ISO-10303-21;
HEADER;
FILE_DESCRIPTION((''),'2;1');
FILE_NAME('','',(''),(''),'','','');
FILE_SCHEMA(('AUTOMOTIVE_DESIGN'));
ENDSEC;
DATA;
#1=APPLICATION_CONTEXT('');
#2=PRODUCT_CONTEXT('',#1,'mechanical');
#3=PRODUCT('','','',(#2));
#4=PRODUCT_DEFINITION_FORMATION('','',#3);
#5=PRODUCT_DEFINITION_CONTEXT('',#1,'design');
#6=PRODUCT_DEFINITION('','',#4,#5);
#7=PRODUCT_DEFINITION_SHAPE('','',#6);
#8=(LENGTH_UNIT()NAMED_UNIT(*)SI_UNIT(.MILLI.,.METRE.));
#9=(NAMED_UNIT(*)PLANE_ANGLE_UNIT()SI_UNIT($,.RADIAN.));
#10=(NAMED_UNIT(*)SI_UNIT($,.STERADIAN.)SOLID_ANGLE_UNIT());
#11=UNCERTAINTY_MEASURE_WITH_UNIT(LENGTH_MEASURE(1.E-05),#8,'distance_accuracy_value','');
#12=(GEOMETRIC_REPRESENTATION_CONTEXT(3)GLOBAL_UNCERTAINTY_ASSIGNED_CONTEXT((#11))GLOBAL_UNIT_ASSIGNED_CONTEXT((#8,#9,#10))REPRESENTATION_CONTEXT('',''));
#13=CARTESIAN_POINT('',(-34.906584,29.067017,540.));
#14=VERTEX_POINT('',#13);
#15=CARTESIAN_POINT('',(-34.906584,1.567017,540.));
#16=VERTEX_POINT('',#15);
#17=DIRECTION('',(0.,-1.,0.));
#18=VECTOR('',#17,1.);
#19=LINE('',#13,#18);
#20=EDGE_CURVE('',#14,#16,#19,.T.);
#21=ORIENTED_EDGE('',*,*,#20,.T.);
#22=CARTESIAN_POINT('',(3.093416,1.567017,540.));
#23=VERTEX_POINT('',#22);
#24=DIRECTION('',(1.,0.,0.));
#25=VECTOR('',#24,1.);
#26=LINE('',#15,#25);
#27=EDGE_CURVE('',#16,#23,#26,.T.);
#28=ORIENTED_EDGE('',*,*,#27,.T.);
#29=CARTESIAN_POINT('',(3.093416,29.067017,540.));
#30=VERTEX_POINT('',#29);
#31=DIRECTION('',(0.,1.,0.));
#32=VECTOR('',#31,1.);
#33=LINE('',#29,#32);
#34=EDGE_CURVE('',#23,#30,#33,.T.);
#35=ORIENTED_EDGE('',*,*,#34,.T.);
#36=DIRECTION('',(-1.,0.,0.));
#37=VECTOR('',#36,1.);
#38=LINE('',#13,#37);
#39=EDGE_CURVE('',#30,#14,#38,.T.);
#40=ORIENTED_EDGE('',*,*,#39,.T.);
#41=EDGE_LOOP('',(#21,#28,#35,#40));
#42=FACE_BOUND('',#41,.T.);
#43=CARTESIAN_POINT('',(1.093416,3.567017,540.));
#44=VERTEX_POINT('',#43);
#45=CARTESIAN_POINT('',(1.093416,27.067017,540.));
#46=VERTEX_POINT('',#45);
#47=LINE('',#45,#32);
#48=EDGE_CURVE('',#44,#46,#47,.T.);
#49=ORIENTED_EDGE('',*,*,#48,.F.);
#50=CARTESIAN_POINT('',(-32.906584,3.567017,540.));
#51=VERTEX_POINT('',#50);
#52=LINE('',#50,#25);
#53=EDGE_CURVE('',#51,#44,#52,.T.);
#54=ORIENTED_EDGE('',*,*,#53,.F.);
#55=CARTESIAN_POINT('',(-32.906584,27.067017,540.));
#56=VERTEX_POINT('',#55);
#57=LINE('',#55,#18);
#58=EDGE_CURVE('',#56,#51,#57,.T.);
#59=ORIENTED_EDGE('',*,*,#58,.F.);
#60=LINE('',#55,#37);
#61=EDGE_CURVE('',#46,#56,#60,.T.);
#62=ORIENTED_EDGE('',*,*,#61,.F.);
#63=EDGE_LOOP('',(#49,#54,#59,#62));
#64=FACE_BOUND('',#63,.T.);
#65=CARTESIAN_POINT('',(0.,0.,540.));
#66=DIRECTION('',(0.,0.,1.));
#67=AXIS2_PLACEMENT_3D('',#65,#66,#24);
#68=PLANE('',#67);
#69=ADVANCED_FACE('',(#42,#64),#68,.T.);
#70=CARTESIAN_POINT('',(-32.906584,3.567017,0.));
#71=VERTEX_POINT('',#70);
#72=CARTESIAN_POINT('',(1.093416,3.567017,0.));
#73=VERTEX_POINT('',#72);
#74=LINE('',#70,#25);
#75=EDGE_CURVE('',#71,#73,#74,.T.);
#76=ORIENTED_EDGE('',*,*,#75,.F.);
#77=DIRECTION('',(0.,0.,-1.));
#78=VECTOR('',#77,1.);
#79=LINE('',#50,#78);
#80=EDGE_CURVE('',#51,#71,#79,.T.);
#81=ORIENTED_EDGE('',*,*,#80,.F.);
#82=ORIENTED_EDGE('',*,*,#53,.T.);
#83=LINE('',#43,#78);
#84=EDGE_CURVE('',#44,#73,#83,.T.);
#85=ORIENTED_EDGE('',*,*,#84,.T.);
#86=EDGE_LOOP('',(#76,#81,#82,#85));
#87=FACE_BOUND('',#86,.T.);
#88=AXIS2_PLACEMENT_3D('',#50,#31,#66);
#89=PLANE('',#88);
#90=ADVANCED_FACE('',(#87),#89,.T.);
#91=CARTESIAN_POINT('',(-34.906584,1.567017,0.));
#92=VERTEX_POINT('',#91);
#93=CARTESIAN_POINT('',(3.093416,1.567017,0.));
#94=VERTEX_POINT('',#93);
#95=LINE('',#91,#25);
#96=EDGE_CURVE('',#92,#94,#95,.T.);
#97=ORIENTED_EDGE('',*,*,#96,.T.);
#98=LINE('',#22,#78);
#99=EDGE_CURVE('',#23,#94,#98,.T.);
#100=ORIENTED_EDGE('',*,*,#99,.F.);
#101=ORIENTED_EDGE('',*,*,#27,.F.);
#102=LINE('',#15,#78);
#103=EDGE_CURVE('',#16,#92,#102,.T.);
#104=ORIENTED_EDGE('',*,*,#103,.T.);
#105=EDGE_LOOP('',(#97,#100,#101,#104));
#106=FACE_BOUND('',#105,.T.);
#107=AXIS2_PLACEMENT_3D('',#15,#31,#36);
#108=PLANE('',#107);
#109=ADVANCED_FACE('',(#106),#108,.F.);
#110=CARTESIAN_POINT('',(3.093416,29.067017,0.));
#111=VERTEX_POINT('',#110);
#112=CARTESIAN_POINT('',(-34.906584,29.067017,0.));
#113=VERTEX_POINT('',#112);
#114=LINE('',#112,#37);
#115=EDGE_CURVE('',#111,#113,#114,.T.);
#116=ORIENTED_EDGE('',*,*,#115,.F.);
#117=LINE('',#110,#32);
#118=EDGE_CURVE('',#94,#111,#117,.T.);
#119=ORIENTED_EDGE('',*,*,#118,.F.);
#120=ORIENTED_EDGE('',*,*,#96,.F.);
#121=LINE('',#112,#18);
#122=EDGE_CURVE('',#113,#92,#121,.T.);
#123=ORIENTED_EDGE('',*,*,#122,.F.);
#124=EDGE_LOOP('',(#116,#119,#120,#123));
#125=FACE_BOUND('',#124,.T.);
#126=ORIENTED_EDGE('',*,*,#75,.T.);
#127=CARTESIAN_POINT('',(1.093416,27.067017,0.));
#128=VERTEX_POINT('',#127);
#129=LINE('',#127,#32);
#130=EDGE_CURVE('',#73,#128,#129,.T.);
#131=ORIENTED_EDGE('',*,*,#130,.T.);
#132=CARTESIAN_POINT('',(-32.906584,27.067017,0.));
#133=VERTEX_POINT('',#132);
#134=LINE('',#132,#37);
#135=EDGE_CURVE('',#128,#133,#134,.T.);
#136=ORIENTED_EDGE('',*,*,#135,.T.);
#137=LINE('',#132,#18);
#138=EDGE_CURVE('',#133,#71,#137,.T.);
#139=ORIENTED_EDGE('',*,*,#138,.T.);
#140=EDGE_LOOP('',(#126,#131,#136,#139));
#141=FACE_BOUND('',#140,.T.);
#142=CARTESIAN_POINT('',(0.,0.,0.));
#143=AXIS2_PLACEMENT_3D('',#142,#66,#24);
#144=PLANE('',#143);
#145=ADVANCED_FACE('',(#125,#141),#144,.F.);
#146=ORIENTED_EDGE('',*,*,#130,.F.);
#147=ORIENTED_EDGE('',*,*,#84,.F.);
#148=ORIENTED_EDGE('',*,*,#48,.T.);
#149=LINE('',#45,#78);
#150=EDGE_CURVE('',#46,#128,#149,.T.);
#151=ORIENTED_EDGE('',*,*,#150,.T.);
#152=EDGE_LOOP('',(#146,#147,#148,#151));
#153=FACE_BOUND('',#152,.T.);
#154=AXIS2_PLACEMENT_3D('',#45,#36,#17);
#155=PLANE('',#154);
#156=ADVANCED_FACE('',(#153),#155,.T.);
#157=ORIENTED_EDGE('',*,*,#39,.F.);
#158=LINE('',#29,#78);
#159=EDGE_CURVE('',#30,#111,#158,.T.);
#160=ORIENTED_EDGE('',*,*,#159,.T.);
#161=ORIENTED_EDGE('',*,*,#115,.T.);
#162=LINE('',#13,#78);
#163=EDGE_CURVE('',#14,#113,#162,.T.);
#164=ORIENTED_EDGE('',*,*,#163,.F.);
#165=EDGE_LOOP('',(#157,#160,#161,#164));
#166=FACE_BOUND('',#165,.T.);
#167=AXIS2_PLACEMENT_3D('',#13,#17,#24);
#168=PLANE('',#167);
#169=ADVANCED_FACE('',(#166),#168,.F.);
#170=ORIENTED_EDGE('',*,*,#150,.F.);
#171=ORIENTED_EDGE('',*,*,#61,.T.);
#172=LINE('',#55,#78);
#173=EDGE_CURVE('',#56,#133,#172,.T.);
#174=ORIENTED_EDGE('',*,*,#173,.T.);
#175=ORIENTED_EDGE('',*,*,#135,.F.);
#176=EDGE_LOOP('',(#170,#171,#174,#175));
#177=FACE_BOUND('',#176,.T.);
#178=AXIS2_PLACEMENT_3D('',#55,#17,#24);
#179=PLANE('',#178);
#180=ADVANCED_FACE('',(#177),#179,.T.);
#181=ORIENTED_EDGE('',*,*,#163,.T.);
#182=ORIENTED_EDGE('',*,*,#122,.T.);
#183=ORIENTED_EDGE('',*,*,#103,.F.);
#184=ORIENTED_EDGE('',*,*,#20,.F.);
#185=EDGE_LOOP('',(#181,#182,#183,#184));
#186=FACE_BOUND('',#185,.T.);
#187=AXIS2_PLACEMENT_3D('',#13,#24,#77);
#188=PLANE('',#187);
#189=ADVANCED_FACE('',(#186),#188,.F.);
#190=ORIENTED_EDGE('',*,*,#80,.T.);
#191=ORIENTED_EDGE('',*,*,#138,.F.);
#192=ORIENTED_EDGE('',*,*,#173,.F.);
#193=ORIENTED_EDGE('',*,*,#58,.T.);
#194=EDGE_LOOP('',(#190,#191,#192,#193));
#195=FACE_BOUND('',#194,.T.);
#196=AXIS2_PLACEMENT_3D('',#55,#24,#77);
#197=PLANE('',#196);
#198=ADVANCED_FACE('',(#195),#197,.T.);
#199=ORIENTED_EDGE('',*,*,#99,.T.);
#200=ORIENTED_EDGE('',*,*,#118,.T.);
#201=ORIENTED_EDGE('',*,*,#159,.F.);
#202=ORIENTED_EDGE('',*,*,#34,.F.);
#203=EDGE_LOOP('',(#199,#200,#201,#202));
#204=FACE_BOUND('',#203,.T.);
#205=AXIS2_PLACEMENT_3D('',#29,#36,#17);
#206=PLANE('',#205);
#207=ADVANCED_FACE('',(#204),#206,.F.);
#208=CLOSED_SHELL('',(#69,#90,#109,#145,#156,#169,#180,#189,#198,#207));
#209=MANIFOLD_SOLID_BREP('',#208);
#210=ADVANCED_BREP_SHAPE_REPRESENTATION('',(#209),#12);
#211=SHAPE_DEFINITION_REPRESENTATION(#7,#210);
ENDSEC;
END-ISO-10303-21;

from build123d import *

# Parameters (mm, degrees)
SKETCH1_W           = 38
SKETCH1_H           = 27.5
SKETCH1_W_2         = 34
SKETCH1_H_2         = 23.5
BOSS_EXTRUDE1_DEPTH = 540


with BuildPart() as part:
    # Sketch1 → Boss-Extrude1 (new body)
    with BuildSketch(Plane.XY):
        with Locations((-15.906584243, 15.31701688)):
            Rectangle(SKETCH1_W, SKETCH1_H)
        with Locations((-15.906584243, 15.31701688)):
            Rectangle(SKETCH1_W_2, SKETCH1_H_2, mode=Mode.SUBTRACT)
    extrude(amount=BOSS_EXTRUDE1_DEPTH)


solid = part.part
